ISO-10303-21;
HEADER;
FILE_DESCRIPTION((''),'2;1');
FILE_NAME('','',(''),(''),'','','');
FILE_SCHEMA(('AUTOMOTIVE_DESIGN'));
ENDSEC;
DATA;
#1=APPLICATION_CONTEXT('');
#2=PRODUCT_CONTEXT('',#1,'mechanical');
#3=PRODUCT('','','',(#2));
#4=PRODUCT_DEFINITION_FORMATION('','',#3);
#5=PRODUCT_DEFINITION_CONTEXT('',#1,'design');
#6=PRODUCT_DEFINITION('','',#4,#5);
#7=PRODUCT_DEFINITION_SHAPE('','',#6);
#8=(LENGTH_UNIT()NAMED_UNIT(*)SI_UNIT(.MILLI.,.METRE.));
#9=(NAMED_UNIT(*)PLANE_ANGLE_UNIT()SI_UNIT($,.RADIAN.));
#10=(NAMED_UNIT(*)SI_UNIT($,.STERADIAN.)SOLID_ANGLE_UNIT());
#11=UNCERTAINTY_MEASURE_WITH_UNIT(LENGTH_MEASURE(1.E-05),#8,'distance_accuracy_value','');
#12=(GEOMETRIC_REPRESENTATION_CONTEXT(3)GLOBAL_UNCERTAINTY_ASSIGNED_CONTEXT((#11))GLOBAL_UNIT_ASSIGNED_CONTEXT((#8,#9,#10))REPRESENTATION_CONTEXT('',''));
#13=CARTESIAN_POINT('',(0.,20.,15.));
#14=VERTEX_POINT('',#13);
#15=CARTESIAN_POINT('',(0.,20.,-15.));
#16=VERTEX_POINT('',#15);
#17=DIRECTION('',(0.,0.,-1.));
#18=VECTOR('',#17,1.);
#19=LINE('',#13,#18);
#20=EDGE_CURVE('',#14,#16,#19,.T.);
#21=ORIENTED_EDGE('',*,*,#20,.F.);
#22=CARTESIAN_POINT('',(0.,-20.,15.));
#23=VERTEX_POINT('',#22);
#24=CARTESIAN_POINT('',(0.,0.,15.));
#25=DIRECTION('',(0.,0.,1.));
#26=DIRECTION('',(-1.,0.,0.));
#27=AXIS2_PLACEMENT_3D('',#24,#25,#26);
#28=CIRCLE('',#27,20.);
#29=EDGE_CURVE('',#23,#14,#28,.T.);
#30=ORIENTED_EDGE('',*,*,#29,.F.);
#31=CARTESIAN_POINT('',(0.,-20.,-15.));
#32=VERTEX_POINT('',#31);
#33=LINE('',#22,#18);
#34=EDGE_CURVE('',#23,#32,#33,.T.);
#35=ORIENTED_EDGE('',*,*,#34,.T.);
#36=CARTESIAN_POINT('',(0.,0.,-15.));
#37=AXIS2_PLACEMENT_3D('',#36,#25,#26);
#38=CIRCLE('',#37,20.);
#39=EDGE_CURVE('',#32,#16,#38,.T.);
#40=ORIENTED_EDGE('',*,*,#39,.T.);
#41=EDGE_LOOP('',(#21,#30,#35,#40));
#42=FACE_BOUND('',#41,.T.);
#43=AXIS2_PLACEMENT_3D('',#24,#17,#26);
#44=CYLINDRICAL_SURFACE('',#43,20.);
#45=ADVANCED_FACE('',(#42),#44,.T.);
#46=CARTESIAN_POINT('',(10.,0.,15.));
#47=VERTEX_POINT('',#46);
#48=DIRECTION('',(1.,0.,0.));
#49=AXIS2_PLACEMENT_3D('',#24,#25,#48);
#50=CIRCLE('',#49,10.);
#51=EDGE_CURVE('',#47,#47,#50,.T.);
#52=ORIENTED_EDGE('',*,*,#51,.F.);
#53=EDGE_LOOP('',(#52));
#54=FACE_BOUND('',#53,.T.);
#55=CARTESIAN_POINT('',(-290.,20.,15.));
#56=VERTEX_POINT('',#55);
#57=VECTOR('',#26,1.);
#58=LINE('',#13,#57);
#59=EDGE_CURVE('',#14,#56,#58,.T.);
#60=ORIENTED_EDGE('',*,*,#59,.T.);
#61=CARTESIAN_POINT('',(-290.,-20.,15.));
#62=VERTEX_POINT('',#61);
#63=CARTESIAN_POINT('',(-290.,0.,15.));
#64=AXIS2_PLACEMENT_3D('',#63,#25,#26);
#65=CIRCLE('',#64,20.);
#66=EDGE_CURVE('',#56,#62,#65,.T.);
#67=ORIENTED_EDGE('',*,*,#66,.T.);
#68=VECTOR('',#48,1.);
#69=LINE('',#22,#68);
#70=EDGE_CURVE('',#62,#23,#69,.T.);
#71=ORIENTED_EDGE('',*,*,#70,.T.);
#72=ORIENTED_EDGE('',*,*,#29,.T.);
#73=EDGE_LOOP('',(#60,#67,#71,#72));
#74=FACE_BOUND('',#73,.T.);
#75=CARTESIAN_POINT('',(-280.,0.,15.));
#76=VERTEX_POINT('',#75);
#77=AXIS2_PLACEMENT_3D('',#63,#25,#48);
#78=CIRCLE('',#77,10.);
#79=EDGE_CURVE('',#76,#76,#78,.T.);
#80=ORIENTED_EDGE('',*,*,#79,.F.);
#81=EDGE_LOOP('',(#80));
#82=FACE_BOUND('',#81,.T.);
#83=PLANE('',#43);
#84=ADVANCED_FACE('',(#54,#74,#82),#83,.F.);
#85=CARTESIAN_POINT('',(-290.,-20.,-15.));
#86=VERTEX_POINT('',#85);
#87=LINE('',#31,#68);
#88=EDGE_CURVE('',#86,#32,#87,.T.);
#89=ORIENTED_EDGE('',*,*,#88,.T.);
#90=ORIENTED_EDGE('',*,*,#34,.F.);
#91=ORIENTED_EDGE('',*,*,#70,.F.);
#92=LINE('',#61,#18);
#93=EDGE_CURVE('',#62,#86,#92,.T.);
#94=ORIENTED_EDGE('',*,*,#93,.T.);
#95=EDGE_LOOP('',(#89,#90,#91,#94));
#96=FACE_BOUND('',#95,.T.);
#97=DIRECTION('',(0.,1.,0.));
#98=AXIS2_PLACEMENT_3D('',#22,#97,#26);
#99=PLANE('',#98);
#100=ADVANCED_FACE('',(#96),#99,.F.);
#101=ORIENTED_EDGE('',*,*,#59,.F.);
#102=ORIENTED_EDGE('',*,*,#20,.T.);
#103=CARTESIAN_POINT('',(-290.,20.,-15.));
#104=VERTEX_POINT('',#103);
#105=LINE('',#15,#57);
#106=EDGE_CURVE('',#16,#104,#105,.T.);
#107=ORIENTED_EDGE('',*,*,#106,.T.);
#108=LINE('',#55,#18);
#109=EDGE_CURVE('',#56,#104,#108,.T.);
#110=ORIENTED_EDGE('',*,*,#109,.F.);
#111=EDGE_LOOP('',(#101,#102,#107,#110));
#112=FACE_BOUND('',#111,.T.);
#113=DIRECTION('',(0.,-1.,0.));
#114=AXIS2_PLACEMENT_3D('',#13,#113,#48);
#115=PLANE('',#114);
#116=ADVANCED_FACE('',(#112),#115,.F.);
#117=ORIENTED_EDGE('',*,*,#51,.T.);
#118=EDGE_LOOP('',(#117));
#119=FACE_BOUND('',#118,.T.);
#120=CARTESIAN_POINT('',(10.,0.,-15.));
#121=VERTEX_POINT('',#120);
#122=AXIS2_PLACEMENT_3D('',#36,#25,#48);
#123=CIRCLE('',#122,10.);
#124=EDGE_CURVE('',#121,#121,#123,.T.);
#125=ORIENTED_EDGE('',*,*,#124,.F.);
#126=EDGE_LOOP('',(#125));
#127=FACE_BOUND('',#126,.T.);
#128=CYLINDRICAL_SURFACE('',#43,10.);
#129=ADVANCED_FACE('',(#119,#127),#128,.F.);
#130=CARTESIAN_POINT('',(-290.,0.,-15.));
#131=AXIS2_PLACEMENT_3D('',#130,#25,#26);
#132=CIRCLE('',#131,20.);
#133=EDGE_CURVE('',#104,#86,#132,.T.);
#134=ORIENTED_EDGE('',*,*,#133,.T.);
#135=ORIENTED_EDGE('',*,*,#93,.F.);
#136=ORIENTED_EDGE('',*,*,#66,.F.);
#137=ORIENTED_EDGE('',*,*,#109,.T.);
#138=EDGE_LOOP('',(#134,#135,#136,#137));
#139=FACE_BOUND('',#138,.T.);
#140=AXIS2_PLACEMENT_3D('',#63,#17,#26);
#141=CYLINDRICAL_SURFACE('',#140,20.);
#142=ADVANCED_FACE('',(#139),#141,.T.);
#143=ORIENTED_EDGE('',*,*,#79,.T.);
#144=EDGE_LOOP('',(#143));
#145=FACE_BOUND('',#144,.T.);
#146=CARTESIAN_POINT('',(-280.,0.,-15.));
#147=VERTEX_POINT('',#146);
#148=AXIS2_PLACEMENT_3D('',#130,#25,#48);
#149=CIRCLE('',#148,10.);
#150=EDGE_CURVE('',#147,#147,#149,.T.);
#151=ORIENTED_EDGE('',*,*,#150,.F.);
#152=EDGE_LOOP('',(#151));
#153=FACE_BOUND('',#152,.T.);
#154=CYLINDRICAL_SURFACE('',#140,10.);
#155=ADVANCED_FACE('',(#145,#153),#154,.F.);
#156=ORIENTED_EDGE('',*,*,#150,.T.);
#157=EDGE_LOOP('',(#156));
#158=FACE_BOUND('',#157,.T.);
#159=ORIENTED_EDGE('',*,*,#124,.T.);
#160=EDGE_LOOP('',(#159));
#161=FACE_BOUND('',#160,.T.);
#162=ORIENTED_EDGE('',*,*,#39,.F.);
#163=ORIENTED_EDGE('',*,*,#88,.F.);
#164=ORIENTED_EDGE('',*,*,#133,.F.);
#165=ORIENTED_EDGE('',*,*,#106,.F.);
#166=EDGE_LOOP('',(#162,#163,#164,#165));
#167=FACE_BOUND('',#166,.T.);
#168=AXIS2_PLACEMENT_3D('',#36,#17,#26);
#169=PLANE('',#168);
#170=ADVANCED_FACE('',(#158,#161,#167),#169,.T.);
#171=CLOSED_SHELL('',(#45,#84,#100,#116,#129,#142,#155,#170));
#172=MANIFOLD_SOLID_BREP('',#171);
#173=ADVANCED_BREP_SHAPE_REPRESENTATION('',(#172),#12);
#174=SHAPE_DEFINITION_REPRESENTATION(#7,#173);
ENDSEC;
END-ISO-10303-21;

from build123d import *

# Parameters (mm, degrees)
SKETCH_1_R      = 10
EXTRUDE_1_DEPTH = 15


with BuildPart() as part:
    # Эскиз1 → Бобышка-Вытянуть1 (new body, symmetric)
    with BuildSketch(Plane.XY):
        with BuildLine():
            Line((0, 20), (-290, 20))
            ThreePointArc((-290, 20), (-310, 0), (-290, -20))
            Line((-290, -20), (0, -20))
            ThreePointArc((0, -20), (20, 0), (0, 20))
        make_face()
        with Locations((-290, 0)):
            Circle(SKETCH_1_R, mode=Mode.SUBTRACT)
        Circle(SKETCH_1_R, mode=Mode.SUBTRACT)
    extrude(amount=EXTRUDE_1_DEPTH, both=True)


solid = part.part
